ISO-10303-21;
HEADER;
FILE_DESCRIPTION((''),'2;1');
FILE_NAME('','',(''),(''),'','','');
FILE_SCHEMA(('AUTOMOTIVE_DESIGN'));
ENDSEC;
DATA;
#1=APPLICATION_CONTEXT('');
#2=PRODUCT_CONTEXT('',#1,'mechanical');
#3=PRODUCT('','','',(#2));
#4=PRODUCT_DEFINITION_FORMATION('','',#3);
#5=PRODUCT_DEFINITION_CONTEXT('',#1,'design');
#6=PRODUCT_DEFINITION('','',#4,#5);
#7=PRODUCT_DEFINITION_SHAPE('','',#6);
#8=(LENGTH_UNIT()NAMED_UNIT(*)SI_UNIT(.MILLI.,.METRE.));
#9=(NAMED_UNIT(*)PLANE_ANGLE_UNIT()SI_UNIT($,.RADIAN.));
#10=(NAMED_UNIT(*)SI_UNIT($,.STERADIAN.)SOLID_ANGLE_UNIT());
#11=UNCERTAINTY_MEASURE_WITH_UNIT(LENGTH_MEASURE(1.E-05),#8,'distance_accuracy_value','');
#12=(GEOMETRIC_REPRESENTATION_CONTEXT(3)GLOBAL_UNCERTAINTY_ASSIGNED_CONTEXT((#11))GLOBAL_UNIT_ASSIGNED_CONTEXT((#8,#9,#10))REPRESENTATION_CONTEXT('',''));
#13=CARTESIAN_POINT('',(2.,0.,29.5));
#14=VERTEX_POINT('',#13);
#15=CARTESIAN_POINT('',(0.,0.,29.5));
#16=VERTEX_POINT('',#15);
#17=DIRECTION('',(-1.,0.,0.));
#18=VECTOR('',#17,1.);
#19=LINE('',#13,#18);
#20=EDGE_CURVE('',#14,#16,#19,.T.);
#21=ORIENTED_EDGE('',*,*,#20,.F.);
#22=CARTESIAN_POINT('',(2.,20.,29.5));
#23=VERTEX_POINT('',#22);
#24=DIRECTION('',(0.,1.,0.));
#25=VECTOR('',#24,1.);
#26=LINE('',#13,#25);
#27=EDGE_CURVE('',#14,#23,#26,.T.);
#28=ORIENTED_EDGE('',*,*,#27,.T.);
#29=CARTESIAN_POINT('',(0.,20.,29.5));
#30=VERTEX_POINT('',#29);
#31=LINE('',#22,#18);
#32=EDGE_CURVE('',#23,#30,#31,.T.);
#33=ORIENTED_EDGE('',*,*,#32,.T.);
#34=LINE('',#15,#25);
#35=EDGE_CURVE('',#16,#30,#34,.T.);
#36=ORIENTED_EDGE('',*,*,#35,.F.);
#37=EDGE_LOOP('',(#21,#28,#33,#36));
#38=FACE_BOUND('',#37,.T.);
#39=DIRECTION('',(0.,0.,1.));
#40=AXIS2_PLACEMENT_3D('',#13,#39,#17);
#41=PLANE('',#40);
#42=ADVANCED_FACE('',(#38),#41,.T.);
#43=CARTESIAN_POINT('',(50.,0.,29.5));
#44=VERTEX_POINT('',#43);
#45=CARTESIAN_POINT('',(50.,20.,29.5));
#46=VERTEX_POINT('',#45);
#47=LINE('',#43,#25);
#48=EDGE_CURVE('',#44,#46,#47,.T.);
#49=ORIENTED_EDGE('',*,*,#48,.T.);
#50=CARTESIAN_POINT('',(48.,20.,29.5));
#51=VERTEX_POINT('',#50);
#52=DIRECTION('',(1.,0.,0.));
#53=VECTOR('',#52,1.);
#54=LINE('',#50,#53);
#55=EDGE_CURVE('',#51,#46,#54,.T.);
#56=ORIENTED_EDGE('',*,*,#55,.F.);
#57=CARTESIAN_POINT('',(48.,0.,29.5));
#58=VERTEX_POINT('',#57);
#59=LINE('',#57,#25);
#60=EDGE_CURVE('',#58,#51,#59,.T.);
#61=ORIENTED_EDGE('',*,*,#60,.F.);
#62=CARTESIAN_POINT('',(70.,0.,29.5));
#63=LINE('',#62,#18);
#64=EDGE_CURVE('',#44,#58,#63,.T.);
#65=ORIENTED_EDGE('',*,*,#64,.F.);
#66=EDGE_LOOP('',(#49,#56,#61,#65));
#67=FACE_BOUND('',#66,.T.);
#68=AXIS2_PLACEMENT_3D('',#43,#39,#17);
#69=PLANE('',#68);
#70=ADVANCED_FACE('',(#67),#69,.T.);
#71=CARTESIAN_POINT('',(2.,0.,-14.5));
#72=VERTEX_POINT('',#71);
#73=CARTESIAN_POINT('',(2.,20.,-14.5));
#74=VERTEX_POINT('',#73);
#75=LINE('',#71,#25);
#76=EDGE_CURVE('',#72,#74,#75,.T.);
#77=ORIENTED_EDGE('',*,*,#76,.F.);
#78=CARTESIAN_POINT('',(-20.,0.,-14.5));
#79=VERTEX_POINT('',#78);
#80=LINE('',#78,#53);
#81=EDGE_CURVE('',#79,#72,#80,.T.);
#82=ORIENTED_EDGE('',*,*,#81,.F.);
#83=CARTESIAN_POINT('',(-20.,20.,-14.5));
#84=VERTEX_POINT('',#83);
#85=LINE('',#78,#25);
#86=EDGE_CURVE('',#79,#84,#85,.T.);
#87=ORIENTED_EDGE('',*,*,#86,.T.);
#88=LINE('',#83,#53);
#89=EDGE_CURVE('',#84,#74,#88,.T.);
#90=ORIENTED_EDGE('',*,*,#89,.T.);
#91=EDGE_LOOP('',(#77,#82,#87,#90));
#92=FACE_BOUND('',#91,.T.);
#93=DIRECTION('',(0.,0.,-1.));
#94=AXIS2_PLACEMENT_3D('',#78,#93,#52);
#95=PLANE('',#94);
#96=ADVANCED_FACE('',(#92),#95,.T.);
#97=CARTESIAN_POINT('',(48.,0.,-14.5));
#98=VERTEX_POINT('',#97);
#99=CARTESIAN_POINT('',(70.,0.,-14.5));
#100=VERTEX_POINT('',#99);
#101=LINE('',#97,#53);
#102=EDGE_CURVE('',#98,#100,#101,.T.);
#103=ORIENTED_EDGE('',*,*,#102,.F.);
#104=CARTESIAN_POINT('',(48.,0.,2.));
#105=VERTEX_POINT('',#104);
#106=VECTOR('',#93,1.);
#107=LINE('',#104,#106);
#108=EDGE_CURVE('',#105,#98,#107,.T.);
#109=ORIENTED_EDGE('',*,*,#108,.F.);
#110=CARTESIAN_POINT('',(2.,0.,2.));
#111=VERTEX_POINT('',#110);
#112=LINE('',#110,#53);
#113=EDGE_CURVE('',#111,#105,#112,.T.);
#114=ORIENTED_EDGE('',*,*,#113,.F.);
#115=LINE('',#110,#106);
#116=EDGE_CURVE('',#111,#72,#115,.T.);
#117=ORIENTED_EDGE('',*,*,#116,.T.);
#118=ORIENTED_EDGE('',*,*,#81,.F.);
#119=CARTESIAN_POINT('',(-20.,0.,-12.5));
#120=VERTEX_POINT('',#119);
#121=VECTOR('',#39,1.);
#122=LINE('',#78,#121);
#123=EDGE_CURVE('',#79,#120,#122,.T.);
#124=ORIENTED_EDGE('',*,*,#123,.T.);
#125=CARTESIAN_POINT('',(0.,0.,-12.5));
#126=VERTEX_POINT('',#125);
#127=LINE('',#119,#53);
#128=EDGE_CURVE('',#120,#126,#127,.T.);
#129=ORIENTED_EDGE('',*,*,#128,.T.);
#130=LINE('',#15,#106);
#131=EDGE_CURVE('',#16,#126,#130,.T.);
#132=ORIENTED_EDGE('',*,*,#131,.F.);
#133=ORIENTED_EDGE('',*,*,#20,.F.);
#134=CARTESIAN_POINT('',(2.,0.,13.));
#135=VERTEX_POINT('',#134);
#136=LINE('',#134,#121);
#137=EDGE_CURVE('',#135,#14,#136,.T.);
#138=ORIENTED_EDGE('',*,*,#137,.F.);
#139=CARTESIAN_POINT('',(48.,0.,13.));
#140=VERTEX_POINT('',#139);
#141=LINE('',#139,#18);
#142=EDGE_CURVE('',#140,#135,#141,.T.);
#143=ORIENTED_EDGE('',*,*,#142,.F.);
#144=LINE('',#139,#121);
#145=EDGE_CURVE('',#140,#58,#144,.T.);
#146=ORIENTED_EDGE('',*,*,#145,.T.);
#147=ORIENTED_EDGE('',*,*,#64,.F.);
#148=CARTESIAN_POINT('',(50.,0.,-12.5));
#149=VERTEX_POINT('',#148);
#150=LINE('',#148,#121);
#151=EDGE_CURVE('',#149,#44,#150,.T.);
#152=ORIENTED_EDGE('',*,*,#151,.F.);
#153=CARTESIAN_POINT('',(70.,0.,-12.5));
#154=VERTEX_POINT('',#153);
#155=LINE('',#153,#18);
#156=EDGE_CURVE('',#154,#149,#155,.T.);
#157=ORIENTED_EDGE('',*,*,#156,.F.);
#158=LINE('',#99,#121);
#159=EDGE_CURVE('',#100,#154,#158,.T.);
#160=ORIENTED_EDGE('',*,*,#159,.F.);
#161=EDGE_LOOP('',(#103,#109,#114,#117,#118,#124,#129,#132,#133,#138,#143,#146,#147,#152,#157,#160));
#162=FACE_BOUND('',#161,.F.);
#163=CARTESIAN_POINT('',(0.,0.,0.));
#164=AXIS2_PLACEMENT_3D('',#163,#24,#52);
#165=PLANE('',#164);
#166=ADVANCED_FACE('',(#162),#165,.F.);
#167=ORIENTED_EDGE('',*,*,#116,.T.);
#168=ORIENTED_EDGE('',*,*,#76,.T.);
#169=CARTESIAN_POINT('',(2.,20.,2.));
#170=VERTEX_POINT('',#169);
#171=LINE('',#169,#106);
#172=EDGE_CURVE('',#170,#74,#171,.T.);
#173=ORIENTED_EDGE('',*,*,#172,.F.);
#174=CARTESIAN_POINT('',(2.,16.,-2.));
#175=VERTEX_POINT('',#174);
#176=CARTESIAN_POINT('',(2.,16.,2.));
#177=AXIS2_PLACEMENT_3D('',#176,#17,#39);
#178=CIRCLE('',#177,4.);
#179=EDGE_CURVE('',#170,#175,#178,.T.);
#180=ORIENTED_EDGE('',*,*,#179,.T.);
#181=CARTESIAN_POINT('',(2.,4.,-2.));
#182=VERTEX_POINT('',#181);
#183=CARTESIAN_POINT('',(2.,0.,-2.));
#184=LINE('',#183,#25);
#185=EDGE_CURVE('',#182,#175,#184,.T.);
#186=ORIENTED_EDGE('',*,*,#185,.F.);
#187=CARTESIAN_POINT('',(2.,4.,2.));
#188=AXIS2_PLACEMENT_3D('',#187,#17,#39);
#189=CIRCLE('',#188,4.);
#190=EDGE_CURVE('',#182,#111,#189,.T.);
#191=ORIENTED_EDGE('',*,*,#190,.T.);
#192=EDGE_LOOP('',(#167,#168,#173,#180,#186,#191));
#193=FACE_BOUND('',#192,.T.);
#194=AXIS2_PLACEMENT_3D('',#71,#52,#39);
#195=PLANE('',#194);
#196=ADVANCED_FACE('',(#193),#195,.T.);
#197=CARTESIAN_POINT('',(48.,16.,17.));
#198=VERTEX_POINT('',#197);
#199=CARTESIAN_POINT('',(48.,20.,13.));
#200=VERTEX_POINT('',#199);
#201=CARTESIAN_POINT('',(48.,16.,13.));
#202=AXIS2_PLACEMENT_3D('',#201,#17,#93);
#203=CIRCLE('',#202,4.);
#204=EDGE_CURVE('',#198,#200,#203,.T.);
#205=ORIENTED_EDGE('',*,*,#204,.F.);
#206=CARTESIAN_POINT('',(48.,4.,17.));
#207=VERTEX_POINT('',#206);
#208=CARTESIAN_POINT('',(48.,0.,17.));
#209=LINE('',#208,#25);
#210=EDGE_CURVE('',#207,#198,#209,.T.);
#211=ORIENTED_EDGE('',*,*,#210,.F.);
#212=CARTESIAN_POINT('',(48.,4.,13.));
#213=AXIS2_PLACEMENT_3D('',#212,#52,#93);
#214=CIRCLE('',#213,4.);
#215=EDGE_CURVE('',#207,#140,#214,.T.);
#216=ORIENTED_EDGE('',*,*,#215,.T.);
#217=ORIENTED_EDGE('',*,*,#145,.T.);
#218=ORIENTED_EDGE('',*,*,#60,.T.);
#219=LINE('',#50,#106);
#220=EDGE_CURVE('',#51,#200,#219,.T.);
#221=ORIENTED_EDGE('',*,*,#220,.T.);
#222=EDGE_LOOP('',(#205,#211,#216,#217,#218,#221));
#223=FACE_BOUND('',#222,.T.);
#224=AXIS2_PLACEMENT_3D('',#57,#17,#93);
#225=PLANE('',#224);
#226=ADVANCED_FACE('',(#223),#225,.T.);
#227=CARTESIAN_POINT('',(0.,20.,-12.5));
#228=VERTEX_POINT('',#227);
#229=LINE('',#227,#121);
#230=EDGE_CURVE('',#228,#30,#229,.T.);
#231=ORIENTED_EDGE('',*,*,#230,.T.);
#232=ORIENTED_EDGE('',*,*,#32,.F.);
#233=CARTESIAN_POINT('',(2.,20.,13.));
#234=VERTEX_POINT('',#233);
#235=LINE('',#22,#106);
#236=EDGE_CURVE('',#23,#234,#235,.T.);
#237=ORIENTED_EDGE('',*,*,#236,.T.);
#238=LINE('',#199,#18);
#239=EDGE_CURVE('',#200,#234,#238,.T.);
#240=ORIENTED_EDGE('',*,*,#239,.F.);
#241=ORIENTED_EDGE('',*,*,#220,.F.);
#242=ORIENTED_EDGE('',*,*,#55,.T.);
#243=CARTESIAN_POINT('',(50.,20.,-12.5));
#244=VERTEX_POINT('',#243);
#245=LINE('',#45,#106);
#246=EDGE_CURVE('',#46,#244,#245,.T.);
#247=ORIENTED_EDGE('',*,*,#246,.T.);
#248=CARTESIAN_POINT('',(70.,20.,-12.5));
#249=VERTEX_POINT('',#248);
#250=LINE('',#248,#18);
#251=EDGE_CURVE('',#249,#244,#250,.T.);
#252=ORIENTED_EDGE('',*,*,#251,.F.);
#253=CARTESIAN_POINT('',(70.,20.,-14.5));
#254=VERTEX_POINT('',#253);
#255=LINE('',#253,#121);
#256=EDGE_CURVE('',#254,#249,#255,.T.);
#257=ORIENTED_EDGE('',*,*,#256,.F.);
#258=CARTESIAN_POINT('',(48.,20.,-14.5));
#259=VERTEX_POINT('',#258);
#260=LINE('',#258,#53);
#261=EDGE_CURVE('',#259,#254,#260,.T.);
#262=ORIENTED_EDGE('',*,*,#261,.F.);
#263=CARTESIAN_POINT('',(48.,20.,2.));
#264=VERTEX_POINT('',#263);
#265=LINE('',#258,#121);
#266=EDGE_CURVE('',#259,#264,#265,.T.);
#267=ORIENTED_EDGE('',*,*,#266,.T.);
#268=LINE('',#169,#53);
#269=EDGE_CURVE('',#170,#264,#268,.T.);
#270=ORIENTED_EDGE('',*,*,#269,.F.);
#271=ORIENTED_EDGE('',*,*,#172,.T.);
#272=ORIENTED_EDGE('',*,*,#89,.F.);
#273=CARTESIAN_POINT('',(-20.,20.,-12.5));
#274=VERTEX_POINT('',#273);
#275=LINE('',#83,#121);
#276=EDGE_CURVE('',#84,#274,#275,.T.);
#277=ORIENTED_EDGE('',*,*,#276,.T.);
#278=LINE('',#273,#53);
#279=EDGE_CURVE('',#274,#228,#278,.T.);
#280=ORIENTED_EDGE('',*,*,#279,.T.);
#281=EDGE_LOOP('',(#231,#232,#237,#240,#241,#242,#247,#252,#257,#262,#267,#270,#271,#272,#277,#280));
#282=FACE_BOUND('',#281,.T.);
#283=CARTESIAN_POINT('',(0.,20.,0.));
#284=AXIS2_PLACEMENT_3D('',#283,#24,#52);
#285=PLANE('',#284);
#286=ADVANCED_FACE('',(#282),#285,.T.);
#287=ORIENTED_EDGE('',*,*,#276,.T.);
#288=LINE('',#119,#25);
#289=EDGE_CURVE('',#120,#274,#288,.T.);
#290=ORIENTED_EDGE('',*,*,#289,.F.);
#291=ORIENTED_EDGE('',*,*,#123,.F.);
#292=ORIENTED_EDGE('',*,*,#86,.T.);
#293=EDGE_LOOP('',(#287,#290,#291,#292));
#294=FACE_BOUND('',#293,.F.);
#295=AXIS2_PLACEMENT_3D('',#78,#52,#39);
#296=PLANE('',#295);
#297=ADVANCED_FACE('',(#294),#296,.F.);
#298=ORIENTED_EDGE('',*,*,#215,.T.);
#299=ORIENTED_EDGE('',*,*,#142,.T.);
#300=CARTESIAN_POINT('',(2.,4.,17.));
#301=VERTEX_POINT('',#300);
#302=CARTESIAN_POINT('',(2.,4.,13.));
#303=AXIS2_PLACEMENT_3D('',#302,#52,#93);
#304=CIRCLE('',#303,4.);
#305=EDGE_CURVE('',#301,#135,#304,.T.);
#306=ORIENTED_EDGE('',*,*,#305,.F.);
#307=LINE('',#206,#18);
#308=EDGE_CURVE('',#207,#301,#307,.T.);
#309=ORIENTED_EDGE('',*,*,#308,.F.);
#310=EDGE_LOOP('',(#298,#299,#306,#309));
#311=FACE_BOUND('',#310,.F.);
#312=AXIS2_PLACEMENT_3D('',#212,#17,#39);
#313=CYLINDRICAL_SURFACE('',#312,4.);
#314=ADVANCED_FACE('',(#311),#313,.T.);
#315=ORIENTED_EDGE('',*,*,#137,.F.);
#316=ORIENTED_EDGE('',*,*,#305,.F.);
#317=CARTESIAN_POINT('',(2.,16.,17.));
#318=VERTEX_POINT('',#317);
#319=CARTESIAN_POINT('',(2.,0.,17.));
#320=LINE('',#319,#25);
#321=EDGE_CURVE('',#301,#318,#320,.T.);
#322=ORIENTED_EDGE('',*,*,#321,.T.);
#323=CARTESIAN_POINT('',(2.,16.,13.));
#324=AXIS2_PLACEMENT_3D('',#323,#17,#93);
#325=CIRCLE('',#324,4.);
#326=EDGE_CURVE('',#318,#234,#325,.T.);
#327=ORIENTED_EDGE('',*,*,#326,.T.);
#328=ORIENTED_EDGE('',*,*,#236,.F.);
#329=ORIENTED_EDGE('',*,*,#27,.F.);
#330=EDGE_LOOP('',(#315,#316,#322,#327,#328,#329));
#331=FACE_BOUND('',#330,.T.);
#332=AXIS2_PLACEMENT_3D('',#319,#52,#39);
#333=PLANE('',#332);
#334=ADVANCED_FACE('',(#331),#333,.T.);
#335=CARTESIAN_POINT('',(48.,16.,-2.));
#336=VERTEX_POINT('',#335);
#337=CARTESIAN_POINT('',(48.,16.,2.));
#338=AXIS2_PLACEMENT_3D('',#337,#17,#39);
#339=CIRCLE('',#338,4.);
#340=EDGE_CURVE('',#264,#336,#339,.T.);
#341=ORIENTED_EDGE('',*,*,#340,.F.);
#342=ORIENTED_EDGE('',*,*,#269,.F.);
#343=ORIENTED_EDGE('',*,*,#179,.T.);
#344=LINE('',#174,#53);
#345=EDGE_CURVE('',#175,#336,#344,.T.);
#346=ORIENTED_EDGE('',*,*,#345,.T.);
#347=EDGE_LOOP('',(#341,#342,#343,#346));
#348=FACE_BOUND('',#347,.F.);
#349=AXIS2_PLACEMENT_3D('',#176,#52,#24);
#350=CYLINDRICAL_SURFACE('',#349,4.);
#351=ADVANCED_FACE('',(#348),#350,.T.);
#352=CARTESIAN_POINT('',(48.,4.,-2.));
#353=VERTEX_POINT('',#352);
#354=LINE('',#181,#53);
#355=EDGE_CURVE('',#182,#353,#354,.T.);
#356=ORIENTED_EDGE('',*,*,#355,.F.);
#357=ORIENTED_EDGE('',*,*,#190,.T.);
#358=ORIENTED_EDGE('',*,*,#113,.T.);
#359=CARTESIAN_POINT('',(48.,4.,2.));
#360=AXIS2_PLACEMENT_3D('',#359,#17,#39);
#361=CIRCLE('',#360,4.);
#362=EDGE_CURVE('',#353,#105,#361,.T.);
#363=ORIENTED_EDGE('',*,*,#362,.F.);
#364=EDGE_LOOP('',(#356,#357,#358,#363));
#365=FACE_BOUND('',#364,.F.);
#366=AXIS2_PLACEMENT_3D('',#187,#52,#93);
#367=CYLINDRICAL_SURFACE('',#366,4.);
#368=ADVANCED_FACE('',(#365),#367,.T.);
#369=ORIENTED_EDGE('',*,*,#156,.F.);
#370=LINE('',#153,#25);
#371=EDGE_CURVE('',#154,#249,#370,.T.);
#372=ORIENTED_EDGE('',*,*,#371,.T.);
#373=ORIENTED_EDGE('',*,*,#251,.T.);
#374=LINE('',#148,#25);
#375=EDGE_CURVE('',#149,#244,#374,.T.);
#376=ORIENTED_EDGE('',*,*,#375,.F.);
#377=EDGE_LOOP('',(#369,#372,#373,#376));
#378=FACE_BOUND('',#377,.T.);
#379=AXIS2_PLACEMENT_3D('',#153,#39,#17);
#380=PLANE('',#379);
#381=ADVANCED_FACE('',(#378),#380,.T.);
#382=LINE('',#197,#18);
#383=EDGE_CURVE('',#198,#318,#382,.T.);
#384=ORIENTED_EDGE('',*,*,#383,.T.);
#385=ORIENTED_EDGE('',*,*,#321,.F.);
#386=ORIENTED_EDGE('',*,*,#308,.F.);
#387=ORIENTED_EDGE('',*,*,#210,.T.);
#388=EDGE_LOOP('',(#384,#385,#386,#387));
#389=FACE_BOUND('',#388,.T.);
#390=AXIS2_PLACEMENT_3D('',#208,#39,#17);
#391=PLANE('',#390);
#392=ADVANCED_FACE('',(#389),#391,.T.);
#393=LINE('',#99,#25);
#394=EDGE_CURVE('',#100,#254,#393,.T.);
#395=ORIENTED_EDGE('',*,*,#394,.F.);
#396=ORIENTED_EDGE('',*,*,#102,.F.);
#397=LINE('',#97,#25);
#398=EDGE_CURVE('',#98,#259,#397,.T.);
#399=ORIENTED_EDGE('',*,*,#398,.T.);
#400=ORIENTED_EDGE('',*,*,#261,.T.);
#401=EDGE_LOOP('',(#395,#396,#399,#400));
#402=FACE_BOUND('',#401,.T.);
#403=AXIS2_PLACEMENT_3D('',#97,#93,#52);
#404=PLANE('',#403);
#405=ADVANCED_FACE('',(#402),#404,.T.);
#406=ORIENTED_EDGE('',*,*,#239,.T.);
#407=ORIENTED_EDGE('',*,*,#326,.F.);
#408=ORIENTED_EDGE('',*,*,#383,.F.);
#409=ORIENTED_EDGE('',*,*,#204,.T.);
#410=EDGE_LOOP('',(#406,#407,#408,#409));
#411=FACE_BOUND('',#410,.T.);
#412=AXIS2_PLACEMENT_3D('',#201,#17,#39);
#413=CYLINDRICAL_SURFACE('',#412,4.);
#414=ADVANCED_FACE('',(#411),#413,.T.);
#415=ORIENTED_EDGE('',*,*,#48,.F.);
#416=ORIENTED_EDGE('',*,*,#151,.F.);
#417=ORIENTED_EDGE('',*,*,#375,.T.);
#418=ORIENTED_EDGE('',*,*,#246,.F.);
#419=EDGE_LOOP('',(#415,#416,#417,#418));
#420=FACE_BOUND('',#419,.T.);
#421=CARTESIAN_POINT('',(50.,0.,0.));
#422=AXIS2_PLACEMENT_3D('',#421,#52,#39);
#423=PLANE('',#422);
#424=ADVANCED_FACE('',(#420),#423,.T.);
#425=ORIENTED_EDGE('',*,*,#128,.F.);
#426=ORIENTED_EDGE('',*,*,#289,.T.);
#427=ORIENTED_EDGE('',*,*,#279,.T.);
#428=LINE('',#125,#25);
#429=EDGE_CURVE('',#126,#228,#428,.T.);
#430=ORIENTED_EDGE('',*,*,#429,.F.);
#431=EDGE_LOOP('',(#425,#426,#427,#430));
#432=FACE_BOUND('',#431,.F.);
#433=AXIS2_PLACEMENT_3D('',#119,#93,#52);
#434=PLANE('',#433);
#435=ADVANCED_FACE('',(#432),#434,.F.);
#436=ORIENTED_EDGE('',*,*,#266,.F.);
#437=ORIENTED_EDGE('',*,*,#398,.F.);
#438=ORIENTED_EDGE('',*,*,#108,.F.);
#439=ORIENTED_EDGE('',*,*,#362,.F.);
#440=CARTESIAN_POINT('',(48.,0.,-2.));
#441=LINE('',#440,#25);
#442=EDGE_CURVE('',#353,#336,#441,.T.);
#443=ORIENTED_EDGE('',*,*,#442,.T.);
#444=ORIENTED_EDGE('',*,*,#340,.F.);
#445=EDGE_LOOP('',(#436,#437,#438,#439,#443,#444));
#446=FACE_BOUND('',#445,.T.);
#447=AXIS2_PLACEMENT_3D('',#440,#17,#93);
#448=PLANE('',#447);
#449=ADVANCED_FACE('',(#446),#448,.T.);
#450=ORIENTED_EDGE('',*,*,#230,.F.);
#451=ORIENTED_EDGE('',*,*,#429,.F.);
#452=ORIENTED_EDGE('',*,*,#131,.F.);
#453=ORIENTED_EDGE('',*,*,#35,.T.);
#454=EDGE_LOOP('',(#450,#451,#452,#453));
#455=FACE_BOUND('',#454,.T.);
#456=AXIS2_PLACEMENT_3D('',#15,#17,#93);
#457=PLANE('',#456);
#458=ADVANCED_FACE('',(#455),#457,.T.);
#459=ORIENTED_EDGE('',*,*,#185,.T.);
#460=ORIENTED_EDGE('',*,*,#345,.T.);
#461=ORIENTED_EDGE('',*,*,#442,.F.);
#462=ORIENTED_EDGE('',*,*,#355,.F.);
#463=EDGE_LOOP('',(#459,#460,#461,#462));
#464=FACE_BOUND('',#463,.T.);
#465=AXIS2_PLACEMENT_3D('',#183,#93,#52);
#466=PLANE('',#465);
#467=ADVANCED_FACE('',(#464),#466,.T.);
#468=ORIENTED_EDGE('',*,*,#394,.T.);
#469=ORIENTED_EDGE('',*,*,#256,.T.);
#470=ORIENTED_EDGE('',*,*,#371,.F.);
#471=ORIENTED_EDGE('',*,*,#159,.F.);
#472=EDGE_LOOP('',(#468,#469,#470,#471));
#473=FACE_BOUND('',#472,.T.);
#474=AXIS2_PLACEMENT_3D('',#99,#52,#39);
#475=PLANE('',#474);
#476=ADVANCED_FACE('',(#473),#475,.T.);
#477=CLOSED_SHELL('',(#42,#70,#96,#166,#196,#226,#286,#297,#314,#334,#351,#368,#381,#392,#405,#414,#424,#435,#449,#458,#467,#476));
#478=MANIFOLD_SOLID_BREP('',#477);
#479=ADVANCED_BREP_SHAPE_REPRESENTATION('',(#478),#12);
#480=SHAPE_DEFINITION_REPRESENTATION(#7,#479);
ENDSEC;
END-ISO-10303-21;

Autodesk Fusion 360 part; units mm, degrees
sketch "Sketch1" plane through (0, 0, 0) normal (0, 1, 0) x (1, 0, 0)
  line L0 (50, 0) -> (50, -15)
  line L1 (0, -15) -> (0, 0)
  line L2 (50, -15) -> (50, -27.5)
  line L3 (50, -27.5) -> (70, -27.5)
  line L4 (70, -27.5) -> (70, -29.5)
  line L5 (70, -29.5) -> (50, -29.5)
  line L6 (50, -29.5) -> (48, -29.5)
  line L7 (48, -29.5) -> (48, -17)
  line L8 (48, -17) -> (2, -17)
  line L9 (2, -17) -> (2, -29.5)
  line L10 (2, -29.5) -> (-20, -29.5)
  line L11 (-20, 14.5) -> (2, 14.5)
  line L12 (2, 14.5) -> (2, 2)
  line L13 (2, 2) -> (48, 2)
  line L14 (48, 2) -> (48, 14.5)
  line L15 (48, 14.5) -> (70, 14.5)
  line L16 (70, 14.5) -> (70, 12.5)
  line L17 (70, 12.5) -> (50, 12.5)
  line L18 (50, 12.5) -> (50, 0)
  line L19 (-20, 14.5) -> (-20, 12.5)
  line L20 (-20, 12.5) -> (0, 12.5)
  line L21 (0, 12.5) -> (0, 0)
  line L22 (-20, -29.5) -> (-20, -27.5)
  line L23 (-20, -27.5) -> (0, -27.5)
  line L24 (0, -27.5) -> (0, -15)
  dimension "d1" = 50
  dimension "d2" = 15
  dimension "d3" = 12.5
  dimension "d4" = 20
  dimension "d5" = 2
  dimension "d6" = 20
  dimension "d7" = 2
  dimension "d8" = 12.5
  dimension "d9" = 46
  dimension "d10" = 12.5
  dimension "d11" = 22
  dimension "d12" = 44
  dimension "d13" = 22
  dimension "d14" = 12.5
  dimension "d15" = 46
  dimension "d16" = 12.5
  dimension "d17" = 22
  dimension "d18" = 2
  dimension "d19" = 20
  dimension "d20" = 2
  dimension "d21" = 20
  dimension "d23" = 2
extrude "Extrude1" add sketch "Sketch1" along normal blind 20
fillet "Fillet1" radius 4 1 edges at (25, 20, 17)
fillet "Fillet2" radius 4 1 edges at (25, 0, 17)
fillet "Fillet3" radius 4 1 edges at (25, 20, -2)
fillet "Fillet4" radius 4 1 edges at (25, 0, -2)
sketch "Sketch2" plane through (50, 0, 0) normal (1, 0, 0) x (0, 0, -1)
  line L0 (-27.5, 0) -> (12.5, 0)
  line L1 (12.5, 0) -> (12.5, 20)
  line L2 (12.5, 20) -> (-27.5, 20)
  line L3 (-27.5, 20) -> (-27.5, 0)
extrude "Extrude2" cut 1 faces at (70, 6.6667, 28.1667) along direction (-1, 0, 0) blind 20
extrude "Extrude3" cut 1 faces at (-20, 6.6667, 28.8333) along direction (1, 0, 0) blind 20
